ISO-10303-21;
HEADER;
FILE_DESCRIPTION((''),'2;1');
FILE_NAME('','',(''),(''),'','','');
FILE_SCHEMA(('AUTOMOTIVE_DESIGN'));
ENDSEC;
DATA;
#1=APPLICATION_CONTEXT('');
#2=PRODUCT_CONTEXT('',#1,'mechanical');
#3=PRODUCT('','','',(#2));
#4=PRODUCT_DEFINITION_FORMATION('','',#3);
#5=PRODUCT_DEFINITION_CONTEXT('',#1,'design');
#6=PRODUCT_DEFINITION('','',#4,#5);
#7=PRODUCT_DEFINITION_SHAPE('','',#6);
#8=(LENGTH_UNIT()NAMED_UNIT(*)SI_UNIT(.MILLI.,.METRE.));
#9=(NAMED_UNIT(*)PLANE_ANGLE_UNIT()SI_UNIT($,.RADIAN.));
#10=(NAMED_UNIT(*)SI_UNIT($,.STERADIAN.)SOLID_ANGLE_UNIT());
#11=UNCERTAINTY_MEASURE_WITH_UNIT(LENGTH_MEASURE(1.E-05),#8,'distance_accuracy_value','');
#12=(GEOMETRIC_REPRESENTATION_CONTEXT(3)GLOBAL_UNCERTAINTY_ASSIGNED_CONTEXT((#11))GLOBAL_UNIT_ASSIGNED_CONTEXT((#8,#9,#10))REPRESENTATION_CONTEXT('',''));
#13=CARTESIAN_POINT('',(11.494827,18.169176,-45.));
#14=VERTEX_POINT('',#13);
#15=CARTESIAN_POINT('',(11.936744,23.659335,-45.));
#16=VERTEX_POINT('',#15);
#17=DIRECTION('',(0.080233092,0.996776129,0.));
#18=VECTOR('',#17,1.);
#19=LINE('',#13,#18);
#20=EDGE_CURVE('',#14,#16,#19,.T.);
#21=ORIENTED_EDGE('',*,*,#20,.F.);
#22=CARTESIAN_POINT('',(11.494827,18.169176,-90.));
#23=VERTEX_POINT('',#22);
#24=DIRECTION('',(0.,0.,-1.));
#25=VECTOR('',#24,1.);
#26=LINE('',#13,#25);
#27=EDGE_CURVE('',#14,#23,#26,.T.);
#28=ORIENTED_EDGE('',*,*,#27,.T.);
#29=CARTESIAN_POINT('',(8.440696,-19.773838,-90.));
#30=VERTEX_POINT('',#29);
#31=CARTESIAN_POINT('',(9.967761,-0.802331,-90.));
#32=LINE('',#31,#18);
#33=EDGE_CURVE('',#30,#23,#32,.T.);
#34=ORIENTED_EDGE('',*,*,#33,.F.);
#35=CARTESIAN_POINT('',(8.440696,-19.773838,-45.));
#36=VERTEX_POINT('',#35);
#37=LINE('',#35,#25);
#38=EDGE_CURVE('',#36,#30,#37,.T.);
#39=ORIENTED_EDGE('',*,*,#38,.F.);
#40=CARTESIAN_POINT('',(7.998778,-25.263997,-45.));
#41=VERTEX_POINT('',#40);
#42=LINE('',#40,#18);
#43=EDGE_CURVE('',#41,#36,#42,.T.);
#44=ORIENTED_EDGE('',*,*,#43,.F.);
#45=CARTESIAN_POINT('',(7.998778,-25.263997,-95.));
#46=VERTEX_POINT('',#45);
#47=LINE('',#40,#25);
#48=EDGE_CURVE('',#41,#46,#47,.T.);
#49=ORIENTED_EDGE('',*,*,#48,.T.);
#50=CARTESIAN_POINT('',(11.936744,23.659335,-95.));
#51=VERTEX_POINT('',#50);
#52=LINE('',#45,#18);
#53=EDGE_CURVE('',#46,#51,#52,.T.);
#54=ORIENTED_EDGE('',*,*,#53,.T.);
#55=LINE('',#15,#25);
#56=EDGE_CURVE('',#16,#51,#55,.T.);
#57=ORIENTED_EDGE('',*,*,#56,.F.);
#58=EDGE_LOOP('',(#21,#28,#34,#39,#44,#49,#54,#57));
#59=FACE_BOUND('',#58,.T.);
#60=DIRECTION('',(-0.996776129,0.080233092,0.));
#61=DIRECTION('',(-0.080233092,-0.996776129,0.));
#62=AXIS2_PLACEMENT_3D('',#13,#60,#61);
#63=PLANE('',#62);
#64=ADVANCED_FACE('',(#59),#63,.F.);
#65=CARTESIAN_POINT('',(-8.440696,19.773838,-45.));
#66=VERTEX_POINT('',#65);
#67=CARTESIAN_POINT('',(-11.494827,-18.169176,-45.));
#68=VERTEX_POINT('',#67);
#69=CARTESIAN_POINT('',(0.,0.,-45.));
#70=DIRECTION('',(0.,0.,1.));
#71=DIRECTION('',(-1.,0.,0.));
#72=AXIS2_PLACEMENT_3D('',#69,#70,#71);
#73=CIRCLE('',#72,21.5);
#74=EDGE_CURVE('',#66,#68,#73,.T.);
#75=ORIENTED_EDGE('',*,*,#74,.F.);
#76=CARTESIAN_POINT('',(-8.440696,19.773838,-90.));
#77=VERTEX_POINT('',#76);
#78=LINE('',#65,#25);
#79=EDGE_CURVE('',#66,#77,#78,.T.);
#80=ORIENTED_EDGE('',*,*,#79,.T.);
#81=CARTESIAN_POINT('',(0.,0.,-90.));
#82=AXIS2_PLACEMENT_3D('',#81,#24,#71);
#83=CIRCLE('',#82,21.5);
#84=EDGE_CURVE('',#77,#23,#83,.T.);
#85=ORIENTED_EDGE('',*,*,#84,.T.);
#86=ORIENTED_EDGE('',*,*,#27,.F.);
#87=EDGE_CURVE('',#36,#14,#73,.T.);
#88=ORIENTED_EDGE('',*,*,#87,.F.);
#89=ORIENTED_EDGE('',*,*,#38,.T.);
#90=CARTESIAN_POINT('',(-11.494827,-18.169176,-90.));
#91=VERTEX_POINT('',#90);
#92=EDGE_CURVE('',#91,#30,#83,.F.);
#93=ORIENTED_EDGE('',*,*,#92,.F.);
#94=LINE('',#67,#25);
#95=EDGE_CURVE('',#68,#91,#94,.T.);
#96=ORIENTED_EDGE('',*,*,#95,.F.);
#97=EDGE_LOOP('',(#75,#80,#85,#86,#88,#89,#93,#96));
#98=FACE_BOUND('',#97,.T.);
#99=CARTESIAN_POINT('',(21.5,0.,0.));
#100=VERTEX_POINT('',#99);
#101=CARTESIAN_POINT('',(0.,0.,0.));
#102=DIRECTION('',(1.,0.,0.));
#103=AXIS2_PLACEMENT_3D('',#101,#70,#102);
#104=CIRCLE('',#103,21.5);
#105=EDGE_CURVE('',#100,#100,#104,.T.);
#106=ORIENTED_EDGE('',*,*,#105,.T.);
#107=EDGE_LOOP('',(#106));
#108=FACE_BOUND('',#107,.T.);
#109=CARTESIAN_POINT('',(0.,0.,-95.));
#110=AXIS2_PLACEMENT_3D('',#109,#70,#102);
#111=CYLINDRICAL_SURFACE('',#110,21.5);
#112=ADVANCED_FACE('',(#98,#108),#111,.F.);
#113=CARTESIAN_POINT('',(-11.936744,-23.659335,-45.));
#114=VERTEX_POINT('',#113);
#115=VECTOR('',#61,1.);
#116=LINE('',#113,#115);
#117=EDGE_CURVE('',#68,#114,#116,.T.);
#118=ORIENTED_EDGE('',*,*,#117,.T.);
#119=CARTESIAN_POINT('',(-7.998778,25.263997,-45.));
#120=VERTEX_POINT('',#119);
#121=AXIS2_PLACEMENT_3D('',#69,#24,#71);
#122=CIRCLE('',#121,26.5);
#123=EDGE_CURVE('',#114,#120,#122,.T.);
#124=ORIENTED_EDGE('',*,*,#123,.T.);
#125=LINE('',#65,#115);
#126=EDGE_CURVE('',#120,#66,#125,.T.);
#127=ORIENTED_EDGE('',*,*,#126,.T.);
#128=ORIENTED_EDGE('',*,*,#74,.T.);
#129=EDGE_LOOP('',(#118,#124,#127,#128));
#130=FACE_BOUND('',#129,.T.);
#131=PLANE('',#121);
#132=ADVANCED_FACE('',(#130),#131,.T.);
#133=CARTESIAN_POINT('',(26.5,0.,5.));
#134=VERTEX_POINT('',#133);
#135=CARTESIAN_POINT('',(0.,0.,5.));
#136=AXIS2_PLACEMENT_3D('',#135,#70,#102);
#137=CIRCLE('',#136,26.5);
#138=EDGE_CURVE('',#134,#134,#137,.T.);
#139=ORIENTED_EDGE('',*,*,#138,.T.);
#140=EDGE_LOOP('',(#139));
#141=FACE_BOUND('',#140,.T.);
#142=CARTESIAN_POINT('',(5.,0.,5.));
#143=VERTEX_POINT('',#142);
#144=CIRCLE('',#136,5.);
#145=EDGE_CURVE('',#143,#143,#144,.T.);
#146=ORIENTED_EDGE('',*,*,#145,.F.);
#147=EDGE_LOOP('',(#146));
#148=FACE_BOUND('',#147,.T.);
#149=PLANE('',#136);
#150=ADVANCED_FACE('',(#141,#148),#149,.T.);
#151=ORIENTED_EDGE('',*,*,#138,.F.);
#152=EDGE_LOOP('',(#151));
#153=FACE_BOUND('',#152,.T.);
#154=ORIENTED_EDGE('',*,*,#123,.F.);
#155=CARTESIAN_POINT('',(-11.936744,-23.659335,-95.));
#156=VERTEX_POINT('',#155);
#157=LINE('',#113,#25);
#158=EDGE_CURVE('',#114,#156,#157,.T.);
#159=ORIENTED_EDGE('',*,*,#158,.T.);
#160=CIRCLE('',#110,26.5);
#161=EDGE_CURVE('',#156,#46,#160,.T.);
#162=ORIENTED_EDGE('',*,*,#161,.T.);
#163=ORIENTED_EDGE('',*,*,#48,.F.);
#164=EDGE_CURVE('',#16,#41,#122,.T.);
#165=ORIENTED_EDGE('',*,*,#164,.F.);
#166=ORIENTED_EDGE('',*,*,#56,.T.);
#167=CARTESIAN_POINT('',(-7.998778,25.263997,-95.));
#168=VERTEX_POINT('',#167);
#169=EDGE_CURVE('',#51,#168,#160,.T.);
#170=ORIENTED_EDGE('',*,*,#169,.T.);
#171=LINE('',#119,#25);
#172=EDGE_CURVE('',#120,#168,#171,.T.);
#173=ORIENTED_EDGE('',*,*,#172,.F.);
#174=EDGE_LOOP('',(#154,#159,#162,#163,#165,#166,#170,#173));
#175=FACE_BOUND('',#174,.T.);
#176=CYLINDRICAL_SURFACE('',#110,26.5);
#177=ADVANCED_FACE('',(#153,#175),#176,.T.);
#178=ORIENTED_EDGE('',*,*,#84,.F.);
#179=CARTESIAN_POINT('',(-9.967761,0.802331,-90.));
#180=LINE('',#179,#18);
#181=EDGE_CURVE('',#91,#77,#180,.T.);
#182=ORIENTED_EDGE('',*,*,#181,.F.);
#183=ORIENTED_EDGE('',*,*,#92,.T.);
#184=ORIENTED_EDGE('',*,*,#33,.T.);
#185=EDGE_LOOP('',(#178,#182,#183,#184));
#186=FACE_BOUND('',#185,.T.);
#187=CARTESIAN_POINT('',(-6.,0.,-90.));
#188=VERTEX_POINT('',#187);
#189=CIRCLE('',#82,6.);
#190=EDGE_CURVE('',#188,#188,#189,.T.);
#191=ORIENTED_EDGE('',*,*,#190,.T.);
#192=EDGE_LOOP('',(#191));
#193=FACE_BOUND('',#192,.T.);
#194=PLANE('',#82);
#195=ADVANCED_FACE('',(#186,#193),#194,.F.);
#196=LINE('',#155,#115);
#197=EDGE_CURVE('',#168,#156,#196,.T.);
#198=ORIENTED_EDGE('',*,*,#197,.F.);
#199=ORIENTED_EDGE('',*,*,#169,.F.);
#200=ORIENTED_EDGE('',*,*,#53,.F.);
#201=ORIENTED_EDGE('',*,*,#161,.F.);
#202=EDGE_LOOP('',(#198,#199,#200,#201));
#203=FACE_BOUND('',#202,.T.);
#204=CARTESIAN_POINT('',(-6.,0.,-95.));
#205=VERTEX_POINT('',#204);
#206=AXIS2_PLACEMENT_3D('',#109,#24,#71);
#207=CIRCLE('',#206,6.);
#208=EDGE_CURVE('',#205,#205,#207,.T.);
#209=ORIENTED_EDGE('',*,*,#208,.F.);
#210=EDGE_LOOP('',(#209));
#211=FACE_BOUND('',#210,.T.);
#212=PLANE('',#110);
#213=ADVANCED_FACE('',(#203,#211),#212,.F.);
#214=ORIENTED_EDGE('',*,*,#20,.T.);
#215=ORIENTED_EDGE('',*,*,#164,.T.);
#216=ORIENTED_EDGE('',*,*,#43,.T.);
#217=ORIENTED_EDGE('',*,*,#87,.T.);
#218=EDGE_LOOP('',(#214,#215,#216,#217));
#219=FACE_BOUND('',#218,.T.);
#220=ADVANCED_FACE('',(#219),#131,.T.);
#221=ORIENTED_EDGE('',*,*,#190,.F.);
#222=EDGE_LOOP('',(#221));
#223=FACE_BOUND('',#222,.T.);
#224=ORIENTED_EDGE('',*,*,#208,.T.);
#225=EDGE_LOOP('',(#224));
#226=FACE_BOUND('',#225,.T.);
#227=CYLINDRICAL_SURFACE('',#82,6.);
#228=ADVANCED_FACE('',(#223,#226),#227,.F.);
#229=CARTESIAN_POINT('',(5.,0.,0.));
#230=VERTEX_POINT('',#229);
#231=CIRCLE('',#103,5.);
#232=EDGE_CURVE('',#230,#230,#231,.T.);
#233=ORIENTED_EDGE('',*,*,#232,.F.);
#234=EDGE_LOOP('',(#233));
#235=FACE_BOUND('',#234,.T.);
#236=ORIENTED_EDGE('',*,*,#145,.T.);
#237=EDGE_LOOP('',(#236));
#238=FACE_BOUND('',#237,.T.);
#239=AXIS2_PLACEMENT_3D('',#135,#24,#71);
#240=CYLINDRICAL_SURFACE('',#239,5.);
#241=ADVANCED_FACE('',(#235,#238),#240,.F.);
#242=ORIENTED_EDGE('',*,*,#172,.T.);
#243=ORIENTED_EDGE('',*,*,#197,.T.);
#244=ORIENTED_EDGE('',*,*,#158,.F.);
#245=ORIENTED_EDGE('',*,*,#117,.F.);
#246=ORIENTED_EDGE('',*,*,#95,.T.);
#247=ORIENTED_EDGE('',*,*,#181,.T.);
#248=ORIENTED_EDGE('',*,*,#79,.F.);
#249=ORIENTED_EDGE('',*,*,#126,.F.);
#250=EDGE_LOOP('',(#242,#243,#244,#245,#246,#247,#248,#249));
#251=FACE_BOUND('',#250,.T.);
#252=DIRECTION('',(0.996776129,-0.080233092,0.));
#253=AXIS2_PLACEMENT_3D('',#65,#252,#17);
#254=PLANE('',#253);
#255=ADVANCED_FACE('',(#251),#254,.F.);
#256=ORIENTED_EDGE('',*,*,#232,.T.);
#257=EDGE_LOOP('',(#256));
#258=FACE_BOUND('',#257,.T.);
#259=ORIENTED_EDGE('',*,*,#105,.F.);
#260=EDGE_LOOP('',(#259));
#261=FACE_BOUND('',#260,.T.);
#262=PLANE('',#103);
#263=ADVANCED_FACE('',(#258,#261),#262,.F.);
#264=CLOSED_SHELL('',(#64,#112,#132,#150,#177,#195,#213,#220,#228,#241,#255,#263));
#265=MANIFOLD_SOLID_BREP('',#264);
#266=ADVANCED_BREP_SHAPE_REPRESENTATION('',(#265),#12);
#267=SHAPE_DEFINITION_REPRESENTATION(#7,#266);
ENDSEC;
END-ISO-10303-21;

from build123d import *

# Parameters (mm, degrees)
SKETCH1_R           = 21.5
SKETCH1_R_2         = 5
BOSS_EXTRUDE1_DEPTH = 5
EXTRUDE_THIN1_START = -100
SKETCH2_R           = 26.5
SKETCH2_R_2         = 21.5
EXTRUDE_THIN1_DEPTH = 100
CUT_EXTRUDE1_DEPTH  = 50
BOSS_EXTRUDE2_DEPTH = 5
SKETCH5_R           = 6
CUT_EXTRUDE2_DEPTH  = 5


with BuildPart() as part:
    # Sketch1 → Boss-Extrude1 (new body)
    with BuildSketch(Plane.XY):
        Circle(SKETCH1_R)
        Circle(SKETCH1_R_2, mode=Mode.SUBTRACT)
    extrude(amount=BOSS_EXTRUDE1_DEPTH)

    # Sketch2 → Extrude-Thin1 (add)
    with BuildSketch(Plane.XY.offset(5).offset(EXTRUDE_THIN1_START)):
        Circle(SKETCH2_R)
        Circle(SKETCH2_R_2, mode=Mode.SUBTRACT)
    extrude(amount=EXTRUDE_THIN1_DEPTH)

    # Sketch3 → Cut-Extrude1 (cut)
    with BuildSketch(Plane(origin=(0, 0, -95), x_dir=(-1, 0, 0), z_dir=(0, 0, -1))):
        with BuildLine():
            Line((11.936744149, -23.659335137), (11.494827009, -18.169175876))
            ThreePointArc((11.494827009, -18.169175876), (21.430686769, 1.725011487), (8.440695566, 19.773837725))
            Line((8.440695566, 19.773837725), (7.998778427, 25.263996985))
            ThreePointArc((7.998778427, 25.263996985), (26.414567412, 2.126176949), (11.936744149, -23.659335137))
        make_face()
        with BuildLine():
            Line((-11.494827009, 18.169175876), (-11.936744149, 23.659335137))
            ThreePointArc((-11.936744149, 23.659335137), (-26.414567412, -2.126176949), (-7.998778427, -25.263996985))
            Line((-7.998778427, -25.263996985), (-8.440695566, -19.773837725))
            ThreePointArc((-8.440695566, -19.773837725), (-21.430686769, -1.725011487), (-11.494827009, 18.169175876))
        make_face()
    extrude(amount=-CUT_EXTRUDE1_DEPTH, mode=Mode.SUBTRACT)

    # Sketch4 → Boss-Extrude2 (add)
    with BuildSketch(Plane(origin=(0, 0, -95), x_dir=(-1, 0, 0), z_dir=(0, 0, -1))):
        with BuildLine():
            Line((-11.494827009, 18.169175876), (-8.440695566, -19.773837725))
            ThreePointArc((-8.440695566, -19.773837725), (1.725011487, -21.430686769), (11.494827009, -18.169175876))
            Line((11.494827009, -18.169175876), (8.440695566, 19.773837725))
            ThreePointArc((8.440695566, 19.773837725), (-1.725011487, 21.430686769), (-11.494827009, 18.169175876))
        make_face()
    extrude(amount=-BOSS_EXTRUDE2_DEPTH)

    # Sketch5 → Cut-Extrude2 (cut)
    with BuildSketch(Plane(origin=(0, 0, -95), x_dir=(-1, 0, 0), z_dir=(0, 0, -1))):
        Circle(SKETCH5_R)
    extrude(amount=-CUT_EXTRUDE2_DEPTH, mode=Mode.SUBTRACT)


solid = part.part
